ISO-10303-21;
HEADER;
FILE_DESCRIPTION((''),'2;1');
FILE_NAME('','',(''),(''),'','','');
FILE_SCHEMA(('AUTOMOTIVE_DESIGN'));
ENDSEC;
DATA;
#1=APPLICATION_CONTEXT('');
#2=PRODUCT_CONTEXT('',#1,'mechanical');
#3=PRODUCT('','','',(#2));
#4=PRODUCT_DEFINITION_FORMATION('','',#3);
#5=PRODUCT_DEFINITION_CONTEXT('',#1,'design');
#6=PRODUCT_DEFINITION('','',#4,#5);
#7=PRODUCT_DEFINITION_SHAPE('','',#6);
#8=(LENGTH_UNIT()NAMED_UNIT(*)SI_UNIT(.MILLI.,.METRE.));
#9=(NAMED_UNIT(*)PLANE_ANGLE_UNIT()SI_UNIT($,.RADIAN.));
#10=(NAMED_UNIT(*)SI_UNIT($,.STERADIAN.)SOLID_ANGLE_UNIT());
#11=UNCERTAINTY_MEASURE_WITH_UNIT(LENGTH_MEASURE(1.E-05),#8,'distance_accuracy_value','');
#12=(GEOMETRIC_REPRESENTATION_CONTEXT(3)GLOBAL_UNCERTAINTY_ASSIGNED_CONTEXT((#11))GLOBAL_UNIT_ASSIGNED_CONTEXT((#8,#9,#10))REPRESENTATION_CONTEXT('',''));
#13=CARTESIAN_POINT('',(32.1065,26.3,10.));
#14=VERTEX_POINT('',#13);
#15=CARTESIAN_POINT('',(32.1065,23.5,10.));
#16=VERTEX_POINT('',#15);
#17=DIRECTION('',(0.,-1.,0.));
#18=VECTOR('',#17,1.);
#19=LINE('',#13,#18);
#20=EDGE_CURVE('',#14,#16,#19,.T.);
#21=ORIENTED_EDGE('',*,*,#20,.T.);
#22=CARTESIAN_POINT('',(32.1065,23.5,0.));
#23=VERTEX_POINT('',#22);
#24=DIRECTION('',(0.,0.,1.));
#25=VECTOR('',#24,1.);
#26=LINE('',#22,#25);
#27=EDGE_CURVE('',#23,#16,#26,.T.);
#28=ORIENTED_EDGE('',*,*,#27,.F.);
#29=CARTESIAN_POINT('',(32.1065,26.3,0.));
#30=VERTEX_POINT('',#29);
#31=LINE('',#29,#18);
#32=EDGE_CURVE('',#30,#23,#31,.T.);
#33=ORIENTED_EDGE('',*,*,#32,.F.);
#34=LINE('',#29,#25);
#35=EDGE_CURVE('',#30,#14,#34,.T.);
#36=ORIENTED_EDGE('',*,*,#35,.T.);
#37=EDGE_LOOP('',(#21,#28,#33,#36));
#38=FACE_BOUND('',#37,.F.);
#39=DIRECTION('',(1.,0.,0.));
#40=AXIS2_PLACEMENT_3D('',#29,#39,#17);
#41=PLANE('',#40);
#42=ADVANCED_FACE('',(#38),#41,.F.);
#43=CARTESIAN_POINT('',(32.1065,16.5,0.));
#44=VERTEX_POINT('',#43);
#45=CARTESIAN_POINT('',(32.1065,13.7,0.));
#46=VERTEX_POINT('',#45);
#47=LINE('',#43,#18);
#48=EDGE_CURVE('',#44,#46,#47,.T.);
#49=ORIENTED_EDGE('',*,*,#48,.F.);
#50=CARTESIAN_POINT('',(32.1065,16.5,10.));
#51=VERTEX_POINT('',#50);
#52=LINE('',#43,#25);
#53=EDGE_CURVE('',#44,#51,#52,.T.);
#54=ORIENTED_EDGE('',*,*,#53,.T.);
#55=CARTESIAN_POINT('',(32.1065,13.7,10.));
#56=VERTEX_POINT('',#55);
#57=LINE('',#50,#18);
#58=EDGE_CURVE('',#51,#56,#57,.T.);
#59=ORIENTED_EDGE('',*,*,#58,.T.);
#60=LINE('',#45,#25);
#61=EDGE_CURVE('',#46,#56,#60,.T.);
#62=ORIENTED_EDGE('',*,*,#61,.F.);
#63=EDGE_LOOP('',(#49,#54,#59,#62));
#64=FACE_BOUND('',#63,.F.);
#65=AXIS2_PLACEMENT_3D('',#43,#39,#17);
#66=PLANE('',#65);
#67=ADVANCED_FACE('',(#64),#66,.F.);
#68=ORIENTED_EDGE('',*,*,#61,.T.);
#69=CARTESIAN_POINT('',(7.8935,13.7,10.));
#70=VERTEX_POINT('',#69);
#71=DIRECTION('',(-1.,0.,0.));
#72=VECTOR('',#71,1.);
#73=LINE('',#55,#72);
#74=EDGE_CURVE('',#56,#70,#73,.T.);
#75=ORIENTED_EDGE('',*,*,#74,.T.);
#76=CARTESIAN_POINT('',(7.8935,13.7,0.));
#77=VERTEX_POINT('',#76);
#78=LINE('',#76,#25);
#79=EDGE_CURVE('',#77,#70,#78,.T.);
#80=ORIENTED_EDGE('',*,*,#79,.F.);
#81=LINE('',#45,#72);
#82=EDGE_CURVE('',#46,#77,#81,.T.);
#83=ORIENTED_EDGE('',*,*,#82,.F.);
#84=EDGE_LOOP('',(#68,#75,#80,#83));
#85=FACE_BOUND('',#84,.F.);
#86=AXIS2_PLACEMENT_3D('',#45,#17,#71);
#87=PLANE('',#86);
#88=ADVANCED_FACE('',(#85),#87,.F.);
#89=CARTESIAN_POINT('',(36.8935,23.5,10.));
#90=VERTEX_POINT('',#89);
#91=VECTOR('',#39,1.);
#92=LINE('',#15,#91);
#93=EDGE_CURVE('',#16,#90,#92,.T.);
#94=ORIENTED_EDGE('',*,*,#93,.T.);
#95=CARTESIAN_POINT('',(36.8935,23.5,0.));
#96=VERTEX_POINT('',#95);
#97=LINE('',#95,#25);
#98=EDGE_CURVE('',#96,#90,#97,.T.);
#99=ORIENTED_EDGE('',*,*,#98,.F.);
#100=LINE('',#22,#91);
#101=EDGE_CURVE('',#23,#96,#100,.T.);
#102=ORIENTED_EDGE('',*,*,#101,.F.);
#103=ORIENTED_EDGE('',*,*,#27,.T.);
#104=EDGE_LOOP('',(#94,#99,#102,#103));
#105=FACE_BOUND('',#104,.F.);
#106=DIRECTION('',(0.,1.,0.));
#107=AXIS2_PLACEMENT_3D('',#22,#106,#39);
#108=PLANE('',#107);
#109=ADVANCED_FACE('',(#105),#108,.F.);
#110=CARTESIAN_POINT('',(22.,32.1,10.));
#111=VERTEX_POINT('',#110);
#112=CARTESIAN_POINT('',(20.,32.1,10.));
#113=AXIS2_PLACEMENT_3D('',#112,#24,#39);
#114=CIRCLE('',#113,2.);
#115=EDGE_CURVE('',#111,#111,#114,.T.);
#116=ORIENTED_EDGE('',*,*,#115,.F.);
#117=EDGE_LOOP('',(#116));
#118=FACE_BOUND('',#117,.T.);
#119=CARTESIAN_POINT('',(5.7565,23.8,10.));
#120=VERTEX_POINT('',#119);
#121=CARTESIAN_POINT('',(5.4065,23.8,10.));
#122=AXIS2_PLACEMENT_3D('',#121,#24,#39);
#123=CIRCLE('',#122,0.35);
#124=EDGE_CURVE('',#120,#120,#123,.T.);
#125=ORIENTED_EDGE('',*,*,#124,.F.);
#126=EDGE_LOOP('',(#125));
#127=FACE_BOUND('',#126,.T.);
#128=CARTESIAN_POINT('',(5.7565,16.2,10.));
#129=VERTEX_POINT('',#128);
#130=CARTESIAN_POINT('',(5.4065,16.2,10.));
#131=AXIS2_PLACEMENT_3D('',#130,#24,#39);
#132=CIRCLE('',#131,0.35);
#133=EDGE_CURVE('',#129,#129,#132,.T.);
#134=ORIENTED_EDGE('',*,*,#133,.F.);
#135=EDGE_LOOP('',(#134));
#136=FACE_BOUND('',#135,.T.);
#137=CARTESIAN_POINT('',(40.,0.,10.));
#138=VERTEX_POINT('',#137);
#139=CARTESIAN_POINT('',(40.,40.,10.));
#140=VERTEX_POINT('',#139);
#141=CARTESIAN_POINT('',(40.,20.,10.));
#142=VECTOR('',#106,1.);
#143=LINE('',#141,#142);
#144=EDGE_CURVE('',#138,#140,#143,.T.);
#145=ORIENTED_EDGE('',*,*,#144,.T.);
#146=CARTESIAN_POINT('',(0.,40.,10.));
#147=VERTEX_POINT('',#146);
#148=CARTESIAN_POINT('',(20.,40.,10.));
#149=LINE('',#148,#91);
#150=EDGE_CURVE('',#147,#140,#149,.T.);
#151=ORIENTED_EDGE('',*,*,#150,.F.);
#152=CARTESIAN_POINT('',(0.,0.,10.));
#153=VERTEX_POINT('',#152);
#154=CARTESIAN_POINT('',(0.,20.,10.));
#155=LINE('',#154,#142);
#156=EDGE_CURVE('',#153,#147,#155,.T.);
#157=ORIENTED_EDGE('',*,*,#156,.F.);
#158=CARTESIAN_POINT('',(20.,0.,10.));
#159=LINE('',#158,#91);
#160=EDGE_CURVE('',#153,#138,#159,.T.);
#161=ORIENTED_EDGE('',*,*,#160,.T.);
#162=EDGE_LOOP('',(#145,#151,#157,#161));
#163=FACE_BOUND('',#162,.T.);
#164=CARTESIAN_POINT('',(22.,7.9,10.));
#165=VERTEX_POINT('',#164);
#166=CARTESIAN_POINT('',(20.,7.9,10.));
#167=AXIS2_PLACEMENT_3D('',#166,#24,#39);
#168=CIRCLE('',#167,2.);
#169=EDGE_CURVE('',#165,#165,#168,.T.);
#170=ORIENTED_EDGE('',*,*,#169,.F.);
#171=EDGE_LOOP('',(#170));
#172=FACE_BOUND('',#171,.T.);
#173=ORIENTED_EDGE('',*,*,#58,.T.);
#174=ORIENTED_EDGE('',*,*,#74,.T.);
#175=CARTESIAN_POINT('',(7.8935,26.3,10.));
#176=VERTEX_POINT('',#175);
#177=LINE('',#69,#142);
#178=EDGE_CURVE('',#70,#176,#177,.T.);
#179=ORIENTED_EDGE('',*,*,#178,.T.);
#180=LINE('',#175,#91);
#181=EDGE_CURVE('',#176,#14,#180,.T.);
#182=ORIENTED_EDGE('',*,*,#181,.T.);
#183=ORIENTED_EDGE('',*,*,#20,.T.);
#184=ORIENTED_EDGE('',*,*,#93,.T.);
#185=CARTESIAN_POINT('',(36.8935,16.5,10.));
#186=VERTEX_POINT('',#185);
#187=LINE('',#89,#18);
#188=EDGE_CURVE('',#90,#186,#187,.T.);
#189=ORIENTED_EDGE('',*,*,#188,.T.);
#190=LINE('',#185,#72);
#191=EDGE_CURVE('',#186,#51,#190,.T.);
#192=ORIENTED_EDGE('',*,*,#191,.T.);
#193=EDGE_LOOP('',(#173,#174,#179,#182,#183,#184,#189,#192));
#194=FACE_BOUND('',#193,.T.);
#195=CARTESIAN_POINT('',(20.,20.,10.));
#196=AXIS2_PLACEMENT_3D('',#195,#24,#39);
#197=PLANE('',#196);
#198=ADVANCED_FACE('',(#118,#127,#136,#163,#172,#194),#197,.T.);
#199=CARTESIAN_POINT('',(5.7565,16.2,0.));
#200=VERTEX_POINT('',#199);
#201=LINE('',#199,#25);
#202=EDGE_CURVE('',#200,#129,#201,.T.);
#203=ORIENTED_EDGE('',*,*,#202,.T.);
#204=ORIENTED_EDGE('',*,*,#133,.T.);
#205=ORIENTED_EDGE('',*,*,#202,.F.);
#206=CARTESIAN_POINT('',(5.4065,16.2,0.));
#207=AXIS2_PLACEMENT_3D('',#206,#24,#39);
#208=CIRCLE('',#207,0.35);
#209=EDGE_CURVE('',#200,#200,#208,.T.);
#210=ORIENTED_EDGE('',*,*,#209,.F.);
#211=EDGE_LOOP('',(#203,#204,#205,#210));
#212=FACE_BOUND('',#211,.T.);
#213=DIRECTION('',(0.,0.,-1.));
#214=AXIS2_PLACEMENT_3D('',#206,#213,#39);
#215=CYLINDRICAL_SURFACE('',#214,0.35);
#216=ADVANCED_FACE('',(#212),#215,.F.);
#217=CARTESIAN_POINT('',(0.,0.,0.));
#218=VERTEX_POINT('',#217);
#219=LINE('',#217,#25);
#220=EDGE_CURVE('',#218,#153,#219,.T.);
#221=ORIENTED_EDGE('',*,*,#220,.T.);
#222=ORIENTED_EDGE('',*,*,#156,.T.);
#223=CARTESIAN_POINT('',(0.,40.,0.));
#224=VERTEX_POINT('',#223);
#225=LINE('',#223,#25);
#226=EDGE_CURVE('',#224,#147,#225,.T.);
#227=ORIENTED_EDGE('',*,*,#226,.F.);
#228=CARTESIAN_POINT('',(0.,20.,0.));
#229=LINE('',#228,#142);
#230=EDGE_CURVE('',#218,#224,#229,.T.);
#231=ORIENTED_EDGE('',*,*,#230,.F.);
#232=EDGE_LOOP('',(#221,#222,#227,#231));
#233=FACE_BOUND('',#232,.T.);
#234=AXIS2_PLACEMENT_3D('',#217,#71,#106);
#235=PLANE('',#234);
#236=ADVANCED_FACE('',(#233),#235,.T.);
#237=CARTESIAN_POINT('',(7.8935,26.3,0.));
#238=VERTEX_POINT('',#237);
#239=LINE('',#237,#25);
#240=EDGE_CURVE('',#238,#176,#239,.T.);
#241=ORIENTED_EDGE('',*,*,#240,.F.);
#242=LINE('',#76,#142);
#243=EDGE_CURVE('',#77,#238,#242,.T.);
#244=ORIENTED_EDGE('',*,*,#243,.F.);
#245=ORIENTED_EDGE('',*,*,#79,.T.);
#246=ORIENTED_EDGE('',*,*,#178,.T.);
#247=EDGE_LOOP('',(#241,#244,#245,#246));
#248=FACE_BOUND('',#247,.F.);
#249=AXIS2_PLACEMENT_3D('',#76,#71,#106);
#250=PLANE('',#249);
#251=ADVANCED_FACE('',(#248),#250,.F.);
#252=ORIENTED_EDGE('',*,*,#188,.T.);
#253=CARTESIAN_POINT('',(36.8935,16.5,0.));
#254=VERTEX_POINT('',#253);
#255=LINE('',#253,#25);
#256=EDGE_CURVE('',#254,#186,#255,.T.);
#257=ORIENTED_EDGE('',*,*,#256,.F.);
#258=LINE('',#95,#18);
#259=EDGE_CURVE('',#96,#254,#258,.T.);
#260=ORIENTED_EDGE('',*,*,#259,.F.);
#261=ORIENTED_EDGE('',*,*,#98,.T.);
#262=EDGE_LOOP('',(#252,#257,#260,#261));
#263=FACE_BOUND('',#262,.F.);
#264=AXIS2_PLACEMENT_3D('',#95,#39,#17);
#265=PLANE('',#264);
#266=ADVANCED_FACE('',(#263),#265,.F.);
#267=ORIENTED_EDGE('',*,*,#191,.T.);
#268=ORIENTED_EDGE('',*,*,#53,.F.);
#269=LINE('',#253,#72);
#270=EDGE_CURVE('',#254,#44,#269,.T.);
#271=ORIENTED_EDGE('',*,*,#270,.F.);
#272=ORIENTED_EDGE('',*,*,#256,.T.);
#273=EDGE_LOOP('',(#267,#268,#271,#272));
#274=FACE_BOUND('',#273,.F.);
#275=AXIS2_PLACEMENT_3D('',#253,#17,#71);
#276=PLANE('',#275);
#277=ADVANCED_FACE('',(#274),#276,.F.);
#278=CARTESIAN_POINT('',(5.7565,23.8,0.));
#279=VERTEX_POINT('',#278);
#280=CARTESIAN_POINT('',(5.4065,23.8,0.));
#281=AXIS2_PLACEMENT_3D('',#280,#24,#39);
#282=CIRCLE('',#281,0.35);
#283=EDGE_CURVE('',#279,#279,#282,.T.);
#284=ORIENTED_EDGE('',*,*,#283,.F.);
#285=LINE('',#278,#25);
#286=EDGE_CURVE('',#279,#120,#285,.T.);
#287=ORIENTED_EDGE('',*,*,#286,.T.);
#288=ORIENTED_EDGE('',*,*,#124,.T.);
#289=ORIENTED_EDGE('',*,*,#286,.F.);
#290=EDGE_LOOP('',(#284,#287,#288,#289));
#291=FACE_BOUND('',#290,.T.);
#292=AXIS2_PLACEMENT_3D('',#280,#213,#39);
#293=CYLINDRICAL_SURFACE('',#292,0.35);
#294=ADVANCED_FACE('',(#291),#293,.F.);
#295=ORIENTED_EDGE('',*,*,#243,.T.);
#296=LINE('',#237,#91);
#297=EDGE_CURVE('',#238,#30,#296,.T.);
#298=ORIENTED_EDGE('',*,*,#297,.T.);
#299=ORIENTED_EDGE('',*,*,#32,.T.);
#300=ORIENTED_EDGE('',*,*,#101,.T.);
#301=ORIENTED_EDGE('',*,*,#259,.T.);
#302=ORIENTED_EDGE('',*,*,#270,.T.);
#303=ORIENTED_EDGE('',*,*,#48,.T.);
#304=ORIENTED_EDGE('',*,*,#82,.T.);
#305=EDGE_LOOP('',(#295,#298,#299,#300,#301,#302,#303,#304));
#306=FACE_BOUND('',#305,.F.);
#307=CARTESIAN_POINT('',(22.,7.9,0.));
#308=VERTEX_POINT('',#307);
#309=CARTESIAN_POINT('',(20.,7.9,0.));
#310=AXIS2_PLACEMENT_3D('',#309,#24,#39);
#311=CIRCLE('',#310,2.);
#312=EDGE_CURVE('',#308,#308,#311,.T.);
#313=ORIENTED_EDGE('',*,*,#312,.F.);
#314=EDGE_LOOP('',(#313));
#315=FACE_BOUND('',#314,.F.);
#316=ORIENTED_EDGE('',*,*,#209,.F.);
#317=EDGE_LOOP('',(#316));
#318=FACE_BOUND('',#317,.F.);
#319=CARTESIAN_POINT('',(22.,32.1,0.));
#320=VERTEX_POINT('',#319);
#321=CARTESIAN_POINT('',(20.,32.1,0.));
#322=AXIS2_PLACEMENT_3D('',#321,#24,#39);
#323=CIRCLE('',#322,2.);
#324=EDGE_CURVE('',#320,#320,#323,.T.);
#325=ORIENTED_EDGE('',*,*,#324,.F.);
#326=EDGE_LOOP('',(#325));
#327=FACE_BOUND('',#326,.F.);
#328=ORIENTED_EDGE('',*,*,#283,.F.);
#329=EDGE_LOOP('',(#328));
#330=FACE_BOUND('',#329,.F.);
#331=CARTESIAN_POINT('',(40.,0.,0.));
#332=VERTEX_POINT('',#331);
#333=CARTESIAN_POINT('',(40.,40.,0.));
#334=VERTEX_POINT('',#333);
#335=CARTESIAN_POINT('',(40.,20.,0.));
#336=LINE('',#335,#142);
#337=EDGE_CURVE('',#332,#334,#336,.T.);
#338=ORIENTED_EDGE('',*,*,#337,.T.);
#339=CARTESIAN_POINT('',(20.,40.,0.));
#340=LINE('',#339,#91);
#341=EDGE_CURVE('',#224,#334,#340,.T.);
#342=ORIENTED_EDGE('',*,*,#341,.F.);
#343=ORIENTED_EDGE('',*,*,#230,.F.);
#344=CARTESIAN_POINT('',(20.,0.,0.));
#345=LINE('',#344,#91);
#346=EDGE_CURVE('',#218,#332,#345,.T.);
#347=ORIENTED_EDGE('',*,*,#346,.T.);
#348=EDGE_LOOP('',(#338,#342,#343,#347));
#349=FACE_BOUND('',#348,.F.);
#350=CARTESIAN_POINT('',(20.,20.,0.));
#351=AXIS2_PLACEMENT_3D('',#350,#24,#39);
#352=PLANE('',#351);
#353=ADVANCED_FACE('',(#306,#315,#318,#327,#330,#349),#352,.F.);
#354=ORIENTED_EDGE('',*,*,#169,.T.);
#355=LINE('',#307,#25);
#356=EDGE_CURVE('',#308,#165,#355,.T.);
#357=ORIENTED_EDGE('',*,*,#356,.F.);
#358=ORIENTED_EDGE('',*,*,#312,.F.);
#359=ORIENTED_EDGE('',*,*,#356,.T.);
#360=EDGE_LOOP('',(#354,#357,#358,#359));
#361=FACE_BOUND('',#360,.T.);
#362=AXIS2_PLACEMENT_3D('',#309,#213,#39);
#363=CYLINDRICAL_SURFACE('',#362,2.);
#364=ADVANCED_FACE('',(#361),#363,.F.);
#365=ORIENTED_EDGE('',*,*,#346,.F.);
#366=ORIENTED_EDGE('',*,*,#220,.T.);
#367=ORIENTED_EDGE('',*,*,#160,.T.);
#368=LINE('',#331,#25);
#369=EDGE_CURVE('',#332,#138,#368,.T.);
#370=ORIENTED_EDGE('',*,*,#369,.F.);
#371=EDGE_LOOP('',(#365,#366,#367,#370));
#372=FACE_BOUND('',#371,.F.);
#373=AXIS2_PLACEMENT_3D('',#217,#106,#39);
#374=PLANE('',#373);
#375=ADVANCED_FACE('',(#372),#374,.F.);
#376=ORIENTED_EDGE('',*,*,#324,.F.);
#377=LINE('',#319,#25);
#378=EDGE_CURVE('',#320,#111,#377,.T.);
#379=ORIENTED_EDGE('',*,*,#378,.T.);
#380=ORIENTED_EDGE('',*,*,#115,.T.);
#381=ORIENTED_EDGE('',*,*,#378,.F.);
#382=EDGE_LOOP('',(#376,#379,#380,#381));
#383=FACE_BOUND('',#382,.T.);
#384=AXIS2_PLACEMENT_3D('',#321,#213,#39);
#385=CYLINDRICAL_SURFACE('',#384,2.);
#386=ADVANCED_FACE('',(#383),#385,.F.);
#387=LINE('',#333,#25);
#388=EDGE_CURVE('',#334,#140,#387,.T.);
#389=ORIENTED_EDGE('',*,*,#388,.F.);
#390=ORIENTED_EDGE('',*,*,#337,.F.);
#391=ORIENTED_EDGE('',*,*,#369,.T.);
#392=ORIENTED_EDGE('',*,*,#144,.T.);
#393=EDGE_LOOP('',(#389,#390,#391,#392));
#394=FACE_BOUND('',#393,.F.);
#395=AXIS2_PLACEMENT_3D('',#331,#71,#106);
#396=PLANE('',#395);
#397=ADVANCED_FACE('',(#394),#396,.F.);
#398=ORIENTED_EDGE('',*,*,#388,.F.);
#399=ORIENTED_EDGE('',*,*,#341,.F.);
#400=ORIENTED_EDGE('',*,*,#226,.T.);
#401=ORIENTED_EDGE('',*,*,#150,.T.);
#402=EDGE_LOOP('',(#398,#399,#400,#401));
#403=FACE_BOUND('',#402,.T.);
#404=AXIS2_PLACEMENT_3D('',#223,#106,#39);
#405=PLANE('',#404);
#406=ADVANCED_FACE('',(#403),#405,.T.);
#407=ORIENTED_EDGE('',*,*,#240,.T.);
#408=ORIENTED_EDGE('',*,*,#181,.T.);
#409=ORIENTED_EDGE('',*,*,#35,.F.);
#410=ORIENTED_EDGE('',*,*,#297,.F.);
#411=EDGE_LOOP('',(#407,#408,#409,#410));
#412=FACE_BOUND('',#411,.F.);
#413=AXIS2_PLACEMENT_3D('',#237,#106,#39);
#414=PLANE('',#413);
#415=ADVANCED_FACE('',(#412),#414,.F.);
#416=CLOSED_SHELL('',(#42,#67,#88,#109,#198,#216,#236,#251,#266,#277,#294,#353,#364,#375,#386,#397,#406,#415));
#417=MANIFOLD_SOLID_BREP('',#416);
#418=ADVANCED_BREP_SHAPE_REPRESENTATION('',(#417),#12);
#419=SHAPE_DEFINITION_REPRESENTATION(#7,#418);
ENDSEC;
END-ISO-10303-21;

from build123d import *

# Parameters (mm, degrees)
F0_W     = 40
F0_H     = 40
F0_R     = 0.35
F0_R_2   = 2
F1_DEPTH = 10


with BuildPart() as f1:
    # F0 (on Top) → F1 (new body)
    with BuildSketch(Plane.XY):
        with Locations((20, 20)):
            Rectangle(F0_W, F0_H)
        with Locations((5.4065, 16.2)):
            Circle(F0_R, mode=Mode.SUBTRACT)
        with Locations((20, 7.9)):
            Circle(F0_R_2, mode=Mode.SUBTRACT)
        with Locations((5.4065, 23.8)):
            Circle(F0_R, mode=Mode.SUBTRACT)
        Polygon((7.8935, 13.7), (7.8935, 26.3), (32.1065, 26.3), (32.1065, 23.5), (36.8935, 23.5), (36.8935, 16.5), (32.1065, 16.5), (32.1065, 13.7), align=None, mode=Mode.SUBTRACT)
        with Locations((20, 32.1)):
            Circle(F0_R_2, mode=Mode.SUBTRACT)
    extrude(amount=F1_DEPTH)


solid = f1.part
